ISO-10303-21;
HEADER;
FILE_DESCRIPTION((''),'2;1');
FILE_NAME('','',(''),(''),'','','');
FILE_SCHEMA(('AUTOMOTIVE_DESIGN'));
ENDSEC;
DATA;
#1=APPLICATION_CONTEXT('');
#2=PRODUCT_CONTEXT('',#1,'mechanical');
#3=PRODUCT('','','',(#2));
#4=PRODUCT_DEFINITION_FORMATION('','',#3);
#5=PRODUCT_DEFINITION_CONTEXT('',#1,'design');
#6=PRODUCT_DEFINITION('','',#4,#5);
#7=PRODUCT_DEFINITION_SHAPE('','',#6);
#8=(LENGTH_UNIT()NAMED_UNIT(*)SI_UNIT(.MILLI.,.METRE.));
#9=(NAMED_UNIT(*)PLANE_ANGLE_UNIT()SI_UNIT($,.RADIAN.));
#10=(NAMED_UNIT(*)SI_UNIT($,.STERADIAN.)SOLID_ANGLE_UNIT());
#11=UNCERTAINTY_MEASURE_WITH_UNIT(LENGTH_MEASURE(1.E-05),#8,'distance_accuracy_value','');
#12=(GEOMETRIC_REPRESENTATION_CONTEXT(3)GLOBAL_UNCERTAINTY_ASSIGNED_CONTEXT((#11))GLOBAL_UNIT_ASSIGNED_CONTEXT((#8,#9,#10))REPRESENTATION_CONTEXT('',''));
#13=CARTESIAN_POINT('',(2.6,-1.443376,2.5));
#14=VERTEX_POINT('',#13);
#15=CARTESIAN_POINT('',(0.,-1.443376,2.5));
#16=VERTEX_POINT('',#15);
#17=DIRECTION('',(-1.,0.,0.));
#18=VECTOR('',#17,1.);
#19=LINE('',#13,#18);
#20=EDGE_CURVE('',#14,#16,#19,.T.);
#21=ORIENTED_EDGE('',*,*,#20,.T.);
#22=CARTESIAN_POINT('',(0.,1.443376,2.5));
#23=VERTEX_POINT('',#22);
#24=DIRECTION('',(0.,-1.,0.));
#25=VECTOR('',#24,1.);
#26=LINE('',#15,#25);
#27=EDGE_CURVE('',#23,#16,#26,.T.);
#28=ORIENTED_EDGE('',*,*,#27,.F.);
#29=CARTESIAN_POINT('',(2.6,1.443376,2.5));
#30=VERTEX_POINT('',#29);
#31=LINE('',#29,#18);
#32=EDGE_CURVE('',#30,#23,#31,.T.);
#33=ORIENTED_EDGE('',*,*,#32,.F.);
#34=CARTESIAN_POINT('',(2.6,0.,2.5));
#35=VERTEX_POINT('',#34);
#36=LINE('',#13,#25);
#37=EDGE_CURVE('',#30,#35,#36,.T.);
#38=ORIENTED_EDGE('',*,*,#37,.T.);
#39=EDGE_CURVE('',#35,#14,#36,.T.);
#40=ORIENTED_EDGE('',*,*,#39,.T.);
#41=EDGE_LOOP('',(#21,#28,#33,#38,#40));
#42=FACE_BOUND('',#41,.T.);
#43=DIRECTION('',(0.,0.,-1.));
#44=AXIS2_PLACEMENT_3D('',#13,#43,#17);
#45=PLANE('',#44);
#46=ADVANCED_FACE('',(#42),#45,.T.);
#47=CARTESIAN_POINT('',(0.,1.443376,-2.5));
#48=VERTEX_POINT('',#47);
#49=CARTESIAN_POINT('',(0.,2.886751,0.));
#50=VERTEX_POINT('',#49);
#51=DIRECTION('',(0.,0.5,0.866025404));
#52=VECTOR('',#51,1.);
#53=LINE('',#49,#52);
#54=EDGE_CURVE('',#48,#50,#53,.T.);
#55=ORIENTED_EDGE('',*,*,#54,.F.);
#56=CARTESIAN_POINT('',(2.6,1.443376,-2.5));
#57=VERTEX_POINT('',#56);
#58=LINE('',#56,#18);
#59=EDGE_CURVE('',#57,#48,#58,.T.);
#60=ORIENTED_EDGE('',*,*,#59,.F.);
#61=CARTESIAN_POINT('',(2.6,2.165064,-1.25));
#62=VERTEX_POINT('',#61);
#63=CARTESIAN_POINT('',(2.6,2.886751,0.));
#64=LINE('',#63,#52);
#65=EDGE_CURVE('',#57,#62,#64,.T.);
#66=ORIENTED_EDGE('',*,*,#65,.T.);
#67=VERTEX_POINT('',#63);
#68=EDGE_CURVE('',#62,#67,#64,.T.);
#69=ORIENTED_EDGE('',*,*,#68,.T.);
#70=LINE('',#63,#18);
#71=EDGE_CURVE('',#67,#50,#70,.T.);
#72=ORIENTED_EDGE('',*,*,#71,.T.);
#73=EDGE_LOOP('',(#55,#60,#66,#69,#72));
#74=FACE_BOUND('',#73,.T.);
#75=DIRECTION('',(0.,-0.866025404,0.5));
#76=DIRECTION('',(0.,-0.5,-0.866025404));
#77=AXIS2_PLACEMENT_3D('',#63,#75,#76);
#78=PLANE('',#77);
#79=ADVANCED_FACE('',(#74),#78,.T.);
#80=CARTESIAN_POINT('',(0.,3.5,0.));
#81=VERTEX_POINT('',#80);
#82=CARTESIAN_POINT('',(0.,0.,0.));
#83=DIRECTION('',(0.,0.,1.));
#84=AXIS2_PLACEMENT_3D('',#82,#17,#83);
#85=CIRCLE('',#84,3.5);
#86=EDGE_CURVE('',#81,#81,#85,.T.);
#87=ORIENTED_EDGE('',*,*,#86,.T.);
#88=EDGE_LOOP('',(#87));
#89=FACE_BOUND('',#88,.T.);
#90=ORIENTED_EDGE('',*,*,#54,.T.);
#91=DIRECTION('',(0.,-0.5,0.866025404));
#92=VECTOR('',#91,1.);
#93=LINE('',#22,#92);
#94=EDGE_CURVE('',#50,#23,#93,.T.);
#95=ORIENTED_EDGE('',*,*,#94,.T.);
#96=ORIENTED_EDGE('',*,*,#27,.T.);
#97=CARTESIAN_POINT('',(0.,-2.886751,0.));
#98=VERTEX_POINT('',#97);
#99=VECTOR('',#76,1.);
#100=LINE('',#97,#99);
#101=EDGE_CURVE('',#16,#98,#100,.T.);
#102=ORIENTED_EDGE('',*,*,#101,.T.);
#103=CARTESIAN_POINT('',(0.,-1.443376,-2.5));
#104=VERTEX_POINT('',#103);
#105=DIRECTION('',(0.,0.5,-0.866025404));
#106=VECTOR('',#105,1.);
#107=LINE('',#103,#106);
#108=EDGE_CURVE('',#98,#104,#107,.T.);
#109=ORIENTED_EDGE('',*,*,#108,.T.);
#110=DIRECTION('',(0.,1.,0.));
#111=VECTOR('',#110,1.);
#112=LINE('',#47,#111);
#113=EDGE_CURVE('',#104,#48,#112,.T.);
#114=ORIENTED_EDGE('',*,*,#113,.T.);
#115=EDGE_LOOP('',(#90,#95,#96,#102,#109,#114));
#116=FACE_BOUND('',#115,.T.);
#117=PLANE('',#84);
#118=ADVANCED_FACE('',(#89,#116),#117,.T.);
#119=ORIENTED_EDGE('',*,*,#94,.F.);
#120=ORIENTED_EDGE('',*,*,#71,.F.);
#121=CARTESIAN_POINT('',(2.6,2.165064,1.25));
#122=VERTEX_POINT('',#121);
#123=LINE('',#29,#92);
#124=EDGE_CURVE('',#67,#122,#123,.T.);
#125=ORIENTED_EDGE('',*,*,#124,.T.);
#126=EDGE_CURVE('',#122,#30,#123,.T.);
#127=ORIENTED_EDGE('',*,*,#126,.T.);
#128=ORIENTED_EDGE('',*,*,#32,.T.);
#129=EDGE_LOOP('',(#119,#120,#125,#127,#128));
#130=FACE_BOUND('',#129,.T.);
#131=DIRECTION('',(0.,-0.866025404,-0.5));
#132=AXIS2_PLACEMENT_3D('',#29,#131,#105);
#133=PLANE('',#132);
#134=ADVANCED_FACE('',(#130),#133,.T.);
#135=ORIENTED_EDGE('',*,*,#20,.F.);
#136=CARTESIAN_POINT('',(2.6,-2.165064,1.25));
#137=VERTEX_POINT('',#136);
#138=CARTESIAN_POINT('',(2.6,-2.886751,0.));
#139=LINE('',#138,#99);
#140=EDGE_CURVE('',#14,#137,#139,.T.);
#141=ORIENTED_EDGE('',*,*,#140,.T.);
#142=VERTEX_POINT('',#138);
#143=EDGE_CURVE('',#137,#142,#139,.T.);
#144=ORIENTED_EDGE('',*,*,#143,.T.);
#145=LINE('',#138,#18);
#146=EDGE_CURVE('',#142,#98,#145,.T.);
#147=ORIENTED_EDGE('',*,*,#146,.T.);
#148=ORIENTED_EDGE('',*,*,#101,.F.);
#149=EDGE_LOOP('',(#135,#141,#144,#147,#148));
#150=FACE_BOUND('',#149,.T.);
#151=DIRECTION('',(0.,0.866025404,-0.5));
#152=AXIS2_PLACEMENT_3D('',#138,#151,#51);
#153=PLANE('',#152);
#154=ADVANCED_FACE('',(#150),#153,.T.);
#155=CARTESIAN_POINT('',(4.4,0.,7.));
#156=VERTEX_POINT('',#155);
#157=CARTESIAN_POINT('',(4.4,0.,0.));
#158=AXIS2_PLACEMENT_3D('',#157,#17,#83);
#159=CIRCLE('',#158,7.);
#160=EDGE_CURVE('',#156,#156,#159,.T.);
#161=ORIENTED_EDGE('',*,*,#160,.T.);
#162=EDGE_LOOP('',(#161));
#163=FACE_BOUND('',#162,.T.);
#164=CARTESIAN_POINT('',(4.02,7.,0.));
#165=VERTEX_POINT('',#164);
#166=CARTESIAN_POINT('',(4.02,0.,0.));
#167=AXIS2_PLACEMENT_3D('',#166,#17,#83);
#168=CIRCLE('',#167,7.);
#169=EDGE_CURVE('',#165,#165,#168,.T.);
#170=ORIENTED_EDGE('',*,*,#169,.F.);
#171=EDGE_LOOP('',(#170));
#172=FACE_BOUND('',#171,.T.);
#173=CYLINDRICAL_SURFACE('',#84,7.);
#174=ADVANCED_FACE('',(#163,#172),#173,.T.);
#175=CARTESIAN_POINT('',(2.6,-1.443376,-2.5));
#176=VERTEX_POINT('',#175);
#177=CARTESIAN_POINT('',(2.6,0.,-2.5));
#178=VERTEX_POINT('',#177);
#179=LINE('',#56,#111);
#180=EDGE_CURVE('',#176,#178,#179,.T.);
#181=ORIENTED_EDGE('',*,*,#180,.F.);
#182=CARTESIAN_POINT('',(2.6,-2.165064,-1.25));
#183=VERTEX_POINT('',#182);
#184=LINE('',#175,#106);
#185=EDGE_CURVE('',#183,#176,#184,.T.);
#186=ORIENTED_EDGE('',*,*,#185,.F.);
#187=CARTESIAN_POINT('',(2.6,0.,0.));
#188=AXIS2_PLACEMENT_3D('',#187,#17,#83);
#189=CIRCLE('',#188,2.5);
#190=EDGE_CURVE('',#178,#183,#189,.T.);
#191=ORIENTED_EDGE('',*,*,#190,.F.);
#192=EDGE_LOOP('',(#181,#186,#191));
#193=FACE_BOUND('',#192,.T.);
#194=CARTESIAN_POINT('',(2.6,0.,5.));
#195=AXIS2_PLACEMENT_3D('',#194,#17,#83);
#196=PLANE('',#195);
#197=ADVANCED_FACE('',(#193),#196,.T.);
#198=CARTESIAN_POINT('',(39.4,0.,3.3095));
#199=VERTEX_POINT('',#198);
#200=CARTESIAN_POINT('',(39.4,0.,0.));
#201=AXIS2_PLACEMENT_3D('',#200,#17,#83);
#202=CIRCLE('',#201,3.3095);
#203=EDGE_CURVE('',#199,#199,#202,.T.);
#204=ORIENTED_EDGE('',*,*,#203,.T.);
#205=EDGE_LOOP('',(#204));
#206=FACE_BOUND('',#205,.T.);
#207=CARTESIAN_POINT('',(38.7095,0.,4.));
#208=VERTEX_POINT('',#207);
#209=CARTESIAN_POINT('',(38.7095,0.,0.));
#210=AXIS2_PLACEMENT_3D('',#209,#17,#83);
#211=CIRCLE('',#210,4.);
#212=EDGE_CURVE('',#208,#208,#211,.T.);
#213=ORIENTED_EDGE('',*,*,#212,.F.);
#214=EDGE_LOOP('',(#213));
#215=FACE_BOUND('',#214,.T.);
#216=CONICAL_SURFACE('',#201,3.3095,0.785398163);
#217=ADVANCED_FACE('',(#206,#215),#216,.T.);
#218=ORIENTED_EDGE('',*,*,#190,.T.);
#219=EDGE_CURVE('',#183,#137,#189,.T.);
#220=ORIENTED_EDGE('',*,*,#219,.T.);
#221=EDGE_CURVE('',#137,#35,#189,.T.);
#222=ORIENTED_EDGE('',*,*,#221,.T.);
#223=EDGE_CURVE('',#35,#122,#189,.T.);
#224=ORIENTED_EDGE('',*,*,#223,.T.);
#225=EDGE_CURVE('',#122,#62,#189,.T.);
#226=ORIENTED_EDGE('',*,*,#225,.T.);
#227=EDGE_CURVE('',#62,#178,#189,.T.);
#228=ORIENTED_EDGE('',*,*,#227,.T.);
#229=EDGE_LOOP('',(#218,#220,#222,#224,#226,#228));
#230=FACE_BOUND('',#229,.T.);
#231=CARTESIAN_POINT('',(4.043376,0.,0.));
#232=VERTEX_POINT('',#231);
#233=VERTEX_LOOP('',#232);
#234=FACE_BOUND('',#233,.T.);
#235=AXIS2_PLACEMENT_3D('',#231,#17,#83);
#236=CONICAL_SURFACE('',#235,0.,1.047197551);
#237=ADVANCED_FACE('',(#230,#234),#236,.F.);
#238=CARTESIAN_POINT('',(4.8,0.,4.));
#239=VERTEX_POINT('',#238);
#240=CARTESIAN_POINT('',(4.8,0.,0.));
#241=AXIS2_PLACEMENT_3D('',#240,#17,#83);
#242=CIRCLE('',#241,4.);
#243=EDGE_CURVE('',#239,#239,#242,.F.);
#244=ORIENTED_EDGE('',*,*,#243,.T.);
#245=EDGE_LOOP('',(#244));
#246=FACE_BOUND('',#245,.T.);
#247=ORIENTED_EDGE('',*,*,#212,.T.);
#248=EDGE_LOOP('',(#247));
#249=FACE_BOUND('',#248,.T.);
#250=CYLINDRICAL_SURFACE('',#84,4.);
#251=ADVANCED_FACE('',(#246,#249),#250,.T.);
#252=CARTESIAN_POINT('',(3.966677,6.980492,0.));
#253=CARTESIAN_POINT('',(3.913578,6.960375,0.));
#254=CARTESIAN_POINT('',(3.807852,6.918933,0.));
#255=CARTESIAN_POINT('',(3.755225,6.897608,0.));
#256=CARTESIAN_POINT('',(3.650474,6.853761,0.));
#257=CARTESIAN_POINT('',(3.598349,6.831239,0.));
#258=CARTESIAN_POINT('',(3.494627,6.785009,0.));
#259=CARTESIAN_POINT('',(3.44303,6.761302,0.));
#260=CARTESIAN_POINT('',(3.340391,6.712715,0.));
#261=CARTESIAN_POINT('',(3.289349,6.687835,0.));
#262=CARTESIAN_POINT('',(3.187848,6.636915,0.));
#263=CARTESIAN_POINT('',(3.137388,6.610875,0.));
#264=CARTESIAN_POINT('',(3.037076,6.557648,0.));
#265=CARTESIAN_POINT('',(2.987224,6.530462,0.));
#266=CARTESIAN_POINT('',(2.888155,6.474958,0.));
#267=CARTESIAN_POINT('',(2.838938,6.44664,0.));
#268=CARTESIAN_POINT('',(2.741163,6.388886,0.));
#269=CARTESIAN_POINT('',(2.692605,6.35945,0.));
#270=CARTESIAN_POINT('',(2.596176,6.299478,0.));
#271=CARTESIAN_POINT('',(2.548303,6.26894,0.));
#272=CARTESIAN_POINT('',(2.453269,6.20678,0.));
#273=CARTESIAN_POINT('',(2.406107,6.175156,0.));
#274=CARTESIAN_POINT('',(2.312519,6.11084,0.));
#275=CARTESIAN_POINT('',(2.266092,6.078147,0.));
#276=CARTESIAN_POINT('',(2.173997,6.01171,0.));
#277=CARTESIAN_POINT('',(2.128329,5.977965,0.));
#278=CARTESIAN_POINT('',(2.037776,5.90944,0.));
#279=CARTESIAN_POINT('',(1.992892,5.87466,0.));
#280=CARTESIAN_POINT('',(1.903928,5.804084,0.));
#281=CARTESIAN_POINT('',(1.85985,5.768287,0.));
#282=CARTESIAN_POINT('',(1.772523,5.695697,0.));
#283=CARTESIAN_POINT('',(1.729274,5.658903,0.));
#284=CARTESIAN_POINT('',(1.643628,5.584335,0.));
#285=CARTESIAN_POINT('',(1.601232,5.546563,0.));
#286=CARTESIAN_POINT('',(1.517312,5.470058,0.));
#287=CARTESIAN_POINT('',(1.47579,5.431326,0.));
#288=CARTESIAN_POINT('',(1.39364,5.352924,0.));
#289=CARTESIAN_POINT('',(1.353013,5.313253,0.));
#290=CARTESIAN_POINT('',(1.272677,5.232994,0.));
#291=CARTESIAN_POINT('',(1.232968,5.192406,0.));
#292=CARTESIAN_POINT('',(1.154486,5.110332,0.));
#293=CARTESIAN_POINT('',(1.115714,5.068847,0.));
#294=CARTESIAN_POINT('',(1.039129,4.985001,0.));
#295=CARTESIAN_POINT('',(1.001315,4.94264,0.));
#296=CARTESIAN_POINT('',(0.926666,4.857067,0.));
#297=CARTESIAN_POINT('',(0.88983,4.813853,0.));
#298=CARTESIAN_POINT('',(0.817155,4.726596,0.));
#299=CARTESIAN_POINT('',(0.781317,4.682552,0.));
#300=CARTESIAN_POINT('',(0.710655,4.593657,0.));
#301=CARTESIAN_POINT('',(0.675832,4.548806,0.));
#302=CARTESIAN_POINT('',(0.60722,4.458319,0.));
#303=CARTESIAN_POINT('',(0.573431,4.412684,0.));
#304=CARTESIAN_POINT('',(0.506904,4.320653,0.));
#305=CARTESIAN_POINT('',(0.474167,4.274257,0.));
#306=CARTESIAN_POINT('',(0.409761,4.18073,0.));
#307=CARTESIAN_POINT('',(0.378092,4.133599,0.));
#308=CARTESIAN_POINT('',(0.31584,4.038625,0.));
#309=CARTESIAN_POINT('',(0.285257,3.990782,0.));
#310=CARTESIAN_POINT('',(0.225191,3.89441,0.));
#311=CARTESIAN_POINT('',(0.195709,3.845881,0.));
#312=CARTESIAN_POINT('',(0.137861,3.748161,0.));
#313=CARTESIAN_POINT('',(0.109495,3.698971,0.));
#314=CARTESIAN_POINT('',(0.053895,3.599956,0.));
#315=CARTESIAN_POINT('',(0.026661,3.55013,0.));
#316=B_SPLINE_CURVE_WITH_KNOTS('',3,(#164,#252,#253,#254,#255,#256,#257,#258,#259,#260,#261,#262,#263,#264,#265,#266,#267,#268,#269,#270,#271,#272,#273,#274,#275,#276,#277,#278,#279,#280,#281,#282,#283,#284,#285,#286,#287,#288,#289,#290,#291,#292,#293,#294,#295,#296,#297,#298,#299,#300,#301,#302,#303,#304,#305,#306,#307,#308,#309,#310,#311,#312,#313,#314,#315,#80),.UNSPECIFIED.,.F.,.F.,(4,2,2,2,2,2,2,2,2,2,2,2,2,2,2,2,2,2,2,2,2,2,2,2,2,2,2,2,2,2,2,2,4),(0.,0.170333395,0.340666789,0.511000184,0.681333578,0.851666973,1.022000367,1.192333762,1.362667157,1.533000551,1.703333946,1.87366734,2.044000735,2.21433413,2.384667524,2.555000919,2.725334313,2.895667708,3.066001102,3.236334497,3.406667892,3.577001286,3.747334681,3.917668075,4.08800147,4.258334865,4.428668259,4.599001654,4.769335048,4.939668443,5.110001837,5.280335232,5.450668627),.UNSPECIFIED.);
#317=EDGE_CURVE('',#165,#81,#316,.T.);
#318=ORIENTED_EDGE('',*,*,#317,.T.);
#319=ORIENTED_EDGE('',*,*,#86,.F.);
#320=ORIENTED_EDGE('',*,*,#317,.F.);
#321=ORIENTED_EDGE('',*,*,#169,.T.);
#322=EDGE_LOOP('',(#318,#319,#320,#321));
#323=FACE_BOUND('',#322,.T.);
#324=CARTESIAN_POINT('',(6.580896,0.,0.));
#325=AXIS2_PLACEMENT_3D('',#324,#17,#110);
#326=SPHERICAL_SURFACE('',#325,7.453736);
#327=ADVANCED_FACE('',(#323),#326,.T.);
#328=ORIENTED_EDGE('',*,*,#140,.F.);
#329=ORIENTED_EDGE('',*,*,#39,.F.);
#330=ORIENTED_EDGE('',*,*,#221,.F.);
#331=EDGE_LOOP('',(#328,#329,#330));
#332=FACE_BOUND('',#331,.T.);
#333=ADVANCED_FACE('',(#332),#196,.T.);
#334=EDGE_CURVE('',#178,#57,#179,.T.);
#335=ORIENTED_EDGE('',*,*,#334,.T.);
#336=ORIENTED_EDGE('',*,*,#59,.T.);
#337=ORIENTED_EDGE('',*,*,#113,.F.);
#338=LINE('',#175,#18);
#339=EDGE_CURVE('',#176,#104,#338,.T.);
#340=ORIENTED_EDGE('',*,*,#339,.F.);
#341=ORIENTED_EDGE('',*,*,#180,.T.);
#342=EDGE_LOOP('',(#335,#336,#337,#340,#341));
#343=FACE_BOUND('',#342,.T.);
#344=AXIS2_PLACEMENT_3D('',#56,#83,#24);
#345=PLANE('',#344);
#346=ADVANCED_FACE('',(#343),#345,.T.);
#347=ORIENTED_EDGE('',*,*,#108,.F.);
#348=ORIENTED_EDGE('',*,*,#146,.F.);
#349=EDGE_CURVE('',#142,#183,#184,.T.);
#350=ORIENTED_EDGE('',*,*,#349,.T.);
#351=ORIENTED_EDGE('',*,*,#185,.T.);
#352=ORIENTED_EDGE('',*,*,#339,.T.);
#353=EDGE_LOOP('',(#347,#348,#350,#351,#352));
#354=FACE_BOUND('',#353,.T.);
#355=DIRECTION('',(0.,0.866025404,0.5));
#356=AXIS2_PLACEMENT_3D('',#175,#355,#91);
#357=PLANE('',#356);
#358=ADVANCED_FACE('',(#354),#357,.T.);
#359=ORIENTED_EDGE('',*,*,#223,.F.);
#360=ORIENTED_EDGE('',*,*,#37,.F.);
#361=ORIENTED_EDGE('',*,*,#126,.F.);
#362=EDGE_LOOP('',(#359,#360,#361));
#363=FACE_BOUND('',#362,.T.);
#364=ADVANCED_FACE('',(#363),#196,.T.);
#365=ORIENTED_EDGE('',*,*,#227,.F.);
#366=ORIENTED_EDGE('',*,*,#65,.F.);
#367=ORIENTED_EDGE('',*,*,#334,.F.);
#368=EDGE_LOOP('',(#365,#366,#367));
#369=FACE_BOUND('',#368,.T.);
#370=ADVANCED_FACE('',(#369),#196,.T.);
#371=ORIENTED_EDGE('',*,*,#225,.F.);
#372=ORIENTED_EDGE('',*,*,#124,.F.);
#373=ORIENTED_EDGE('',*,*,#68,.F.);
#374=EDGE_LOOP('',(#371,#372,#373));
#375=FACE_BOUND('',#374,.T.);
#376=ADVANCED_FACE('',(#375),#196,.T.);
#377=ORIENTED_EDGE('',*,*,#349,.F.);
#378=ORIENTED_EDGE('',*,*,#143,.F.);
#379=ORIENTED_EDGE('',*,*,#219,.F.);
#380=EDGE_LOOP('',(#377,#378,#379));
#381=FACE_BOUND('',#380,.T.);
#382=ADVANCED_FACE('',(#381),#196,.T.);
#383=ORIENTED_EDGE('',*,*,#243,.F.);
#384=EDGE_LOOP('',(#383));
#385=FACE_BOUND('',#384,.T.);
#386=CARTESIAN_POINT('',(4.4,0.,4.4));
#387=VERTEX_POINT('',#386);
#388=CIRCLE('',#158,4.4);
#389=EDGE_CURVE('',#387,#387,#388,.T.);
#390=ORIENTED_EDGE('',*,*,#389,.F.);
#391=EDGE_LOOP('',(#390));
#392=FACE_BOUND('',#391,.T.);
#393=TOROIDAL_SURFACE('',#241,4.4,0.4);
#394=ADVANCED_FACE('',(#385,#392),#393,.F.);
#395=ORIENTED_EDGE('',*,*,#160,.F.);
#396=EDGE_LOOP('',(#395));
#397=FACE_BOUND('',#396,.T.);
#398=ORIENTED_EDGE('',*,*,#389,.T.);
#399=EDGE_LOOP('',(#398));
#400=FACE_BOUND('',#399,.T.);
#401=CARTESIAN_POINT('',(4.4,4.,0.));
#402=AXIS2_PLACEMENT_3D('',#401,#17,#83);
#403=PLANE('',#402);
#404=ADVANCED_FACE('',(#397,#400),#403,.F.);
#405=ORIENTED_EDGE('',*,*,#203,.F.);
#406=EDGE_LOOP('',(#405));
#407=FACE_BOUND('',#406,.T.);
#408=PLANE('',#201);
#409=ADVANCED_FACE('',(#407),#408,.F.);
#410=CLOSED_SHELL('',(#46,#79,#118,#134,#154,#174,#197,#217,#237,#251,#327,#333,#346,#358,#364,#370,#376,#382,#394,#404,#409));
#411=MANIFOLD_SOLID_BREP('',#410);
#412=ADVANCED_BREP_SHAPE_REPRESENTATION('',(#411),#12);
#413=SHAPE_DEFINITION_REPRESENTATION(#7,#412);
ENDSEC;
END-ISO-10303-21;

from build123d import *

# Parameters (mm, degrees)
FILLET1_R   = 0.4
HEX_2_DEPTH = 2.6


with BuildPart() as part:
    # BodySke → BaseBody (revolve)
    with BuildSketch(Plane.XY, mode=Mode.PRIVATE) as basebody_sk:
        with BuildLine():
            Line((39.4, 0), (39.4, 3.3095))
            Line((39.4, 3.3095), (38.7095, 4))
            Line((38.7095, 4), (4.4, 4))
            Line((4.4, 4), (4.4, 7))
            Line((4.4, 7), (4.02, 7))
            ThreePointArc((4.02, 7), (1.686451133, 5.621618984), (0, 3.5))
            Line((0, 3.5), (0, 0))
            Line((0, 0), (39.4, 0))
        make_face()
    revolve(basebody_sk.sketch.rotate(Axis((0, 0, 0), (1, 0, 0)), 90), axis=Axis((0, 0, 0), (1, 0, 0)))

    # Fillet1
    fillet1_edges = [part.edges().sort_by_distance(p)[0] for p in [
        (4.4, 0, -4),
    ]]
    fillet(fillet1_edges, radius=FILLET1_R)

    # Sketch2 → PreBroach (revolve, cut)
    with BuildSketch(Plane.XY, mode=Mode.PRIVATE) as prebroach_sk:
        Polygon((0, 2.5), (2.6, 2.5), (4.043375673, 0), (0, 0), align=None)
    revolve(prebroach_sk.sketch.rotate(Axis((0, 0, 0), (1, 0, 0)), 90), axis=Axis((0, 0, 0), (1, 0, 0)), mode=Mode.SUBTRACT)

    # Sketch3 → Hex 2 (cut)
    with BuildSketch(Plane(origin=(0, 0, 0), x_dir=(0, 0, -1), z_dir=(1, 0, 0))):
        Polygon((-2.5, -1.443375673), (-2.5, 1.443375673), (0, 2.886751346), (2.5, 1.443375673), (2.5, -1.443375673), (0, -2.886751346), align=None)
    extrude(amount=HEX_2_DEPTH, mode=Mode.SUBTRACT)


solid = part.part
